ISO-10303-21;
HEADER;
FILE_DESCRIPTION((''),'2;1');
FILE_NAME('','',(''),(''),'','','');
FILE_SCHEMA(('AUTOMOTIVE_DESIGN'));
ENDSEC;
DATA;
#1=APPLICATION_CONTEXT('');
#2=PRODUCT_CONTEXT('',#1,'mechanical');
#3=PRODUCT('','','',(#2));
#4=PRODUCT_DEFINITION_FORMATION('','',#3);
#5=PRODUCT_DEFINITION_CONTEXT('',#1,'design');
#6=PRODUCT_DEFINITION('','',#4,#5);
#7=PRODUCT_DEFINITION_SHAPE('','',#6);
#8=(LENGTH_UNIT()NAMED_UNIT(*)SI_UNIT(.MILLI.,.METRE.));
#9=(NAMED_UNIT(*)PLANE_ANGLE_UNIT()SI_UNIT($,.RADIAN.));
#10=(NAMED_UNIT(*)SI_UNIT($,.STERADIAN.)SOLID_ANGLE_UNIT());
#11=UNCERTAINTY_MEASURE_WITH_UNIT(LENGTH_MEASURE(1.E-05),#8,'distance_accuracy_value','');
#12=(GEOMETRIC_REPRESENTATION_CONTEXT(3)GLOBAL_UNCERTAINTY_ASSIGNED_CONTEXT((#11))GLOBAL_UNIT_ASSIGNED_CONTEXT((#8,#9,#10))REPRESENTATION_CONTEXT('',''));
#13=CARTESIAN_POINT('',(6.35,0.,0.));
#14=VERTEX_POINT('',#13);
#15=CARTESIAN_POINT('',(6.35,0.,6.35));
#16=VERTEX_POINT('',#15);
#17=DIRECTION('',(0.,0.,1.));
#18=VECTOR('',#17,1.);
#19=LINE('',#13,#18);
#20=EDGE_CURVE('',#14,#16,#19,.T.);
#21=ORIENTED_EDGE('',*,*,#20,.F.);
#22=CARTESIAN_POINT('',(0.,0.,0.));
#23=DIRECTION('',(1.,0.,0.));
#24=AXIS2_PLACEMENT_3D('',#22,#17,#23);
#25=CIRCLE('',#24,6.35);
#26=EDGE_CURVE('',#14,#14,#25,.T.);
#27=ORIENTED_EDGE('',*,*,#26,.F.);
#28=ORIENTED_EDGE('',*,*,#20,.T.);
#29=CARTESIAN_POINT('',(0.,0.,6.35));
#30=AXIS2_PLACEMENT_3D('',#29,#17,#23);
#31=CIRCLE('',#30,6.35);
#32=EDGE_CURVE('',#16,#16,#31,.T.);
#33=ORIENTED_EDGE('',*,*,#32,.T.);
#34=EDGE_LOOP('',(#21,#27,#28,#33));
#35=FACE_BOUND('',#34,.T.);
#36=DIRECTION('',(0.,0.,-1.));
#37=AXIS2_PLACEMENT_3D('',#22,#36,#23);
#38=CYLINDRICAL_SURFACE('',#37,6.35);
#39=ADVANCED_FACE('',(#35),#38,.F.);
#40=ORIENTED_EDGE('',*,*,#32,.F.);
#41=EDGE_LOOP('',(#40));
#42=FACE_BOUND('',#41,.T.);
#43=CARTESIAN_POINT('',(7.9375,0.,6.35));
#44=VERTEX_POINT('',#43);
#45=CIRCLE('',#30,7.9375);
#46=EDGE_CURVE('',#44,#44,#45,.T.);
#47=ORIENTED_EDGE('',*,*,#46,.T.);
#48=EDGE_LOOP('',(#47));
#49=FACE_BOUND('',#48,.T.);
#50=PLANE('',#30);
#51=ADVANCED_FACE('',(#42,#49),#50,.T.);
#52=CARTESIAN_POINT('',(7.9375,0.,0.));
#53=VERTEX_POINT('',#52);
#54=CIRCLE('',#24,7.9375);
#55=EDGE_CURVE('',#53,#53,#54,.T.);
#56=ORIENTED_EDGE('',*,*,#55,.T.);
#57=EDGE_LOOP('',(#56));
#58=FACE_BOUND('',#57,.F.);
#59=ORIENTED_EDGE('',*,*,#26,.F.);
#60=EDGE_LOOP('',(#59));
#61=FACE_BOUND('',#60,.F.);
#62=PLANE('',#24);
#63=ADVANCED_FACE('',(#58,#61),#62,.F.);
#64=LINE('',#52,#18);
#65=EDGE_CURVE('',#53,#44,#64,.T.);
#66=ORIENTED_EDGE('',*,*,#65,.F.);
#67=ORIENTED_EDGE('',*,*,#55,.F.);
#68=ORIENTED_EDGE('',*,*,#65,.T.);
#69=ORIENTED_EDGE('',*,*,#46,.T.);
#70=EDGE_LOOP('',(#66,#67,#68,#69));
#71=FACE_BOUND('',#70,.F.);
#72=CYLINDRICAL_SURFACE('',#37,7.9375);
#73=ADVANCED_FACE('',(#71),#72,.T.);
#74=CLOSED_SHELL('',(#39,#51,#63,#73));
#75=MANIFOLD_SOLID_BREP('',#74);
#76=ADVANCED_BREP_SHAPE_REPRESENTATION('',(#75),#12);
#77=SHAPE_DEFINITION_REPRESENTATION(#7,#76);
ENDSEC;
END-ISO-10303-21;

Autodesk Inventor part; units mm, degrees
ref_plane "YZ Plane" through (0, 0, 0) normal (1, 0, 0) x (0, 1, 0)
ref_plane "XZ Plane" through (0, 0, 0) normal (0, 1, 0) x (-1, 0, 0)
ref_plane "XY Plane" through (0, 0, 0) normal (0, 0, 1) x (1, 0, 0)
sketch "Sketch1" plane through (0, 0, 0) normal (0, 0, 1) x (1, 0, 0)
  circle A0 centre (0, 0) radius 6.35
  circle A1 centre (0, 0) radius 7.9375
  dimension "d0" = 12.7
  dimension "d1" = 15.875
extrude "Extrusion1" add sketch "Sketch1" along normal blind 6.35
properties part number "Spacer - .5 x .25" material "Aluminum-6061"
